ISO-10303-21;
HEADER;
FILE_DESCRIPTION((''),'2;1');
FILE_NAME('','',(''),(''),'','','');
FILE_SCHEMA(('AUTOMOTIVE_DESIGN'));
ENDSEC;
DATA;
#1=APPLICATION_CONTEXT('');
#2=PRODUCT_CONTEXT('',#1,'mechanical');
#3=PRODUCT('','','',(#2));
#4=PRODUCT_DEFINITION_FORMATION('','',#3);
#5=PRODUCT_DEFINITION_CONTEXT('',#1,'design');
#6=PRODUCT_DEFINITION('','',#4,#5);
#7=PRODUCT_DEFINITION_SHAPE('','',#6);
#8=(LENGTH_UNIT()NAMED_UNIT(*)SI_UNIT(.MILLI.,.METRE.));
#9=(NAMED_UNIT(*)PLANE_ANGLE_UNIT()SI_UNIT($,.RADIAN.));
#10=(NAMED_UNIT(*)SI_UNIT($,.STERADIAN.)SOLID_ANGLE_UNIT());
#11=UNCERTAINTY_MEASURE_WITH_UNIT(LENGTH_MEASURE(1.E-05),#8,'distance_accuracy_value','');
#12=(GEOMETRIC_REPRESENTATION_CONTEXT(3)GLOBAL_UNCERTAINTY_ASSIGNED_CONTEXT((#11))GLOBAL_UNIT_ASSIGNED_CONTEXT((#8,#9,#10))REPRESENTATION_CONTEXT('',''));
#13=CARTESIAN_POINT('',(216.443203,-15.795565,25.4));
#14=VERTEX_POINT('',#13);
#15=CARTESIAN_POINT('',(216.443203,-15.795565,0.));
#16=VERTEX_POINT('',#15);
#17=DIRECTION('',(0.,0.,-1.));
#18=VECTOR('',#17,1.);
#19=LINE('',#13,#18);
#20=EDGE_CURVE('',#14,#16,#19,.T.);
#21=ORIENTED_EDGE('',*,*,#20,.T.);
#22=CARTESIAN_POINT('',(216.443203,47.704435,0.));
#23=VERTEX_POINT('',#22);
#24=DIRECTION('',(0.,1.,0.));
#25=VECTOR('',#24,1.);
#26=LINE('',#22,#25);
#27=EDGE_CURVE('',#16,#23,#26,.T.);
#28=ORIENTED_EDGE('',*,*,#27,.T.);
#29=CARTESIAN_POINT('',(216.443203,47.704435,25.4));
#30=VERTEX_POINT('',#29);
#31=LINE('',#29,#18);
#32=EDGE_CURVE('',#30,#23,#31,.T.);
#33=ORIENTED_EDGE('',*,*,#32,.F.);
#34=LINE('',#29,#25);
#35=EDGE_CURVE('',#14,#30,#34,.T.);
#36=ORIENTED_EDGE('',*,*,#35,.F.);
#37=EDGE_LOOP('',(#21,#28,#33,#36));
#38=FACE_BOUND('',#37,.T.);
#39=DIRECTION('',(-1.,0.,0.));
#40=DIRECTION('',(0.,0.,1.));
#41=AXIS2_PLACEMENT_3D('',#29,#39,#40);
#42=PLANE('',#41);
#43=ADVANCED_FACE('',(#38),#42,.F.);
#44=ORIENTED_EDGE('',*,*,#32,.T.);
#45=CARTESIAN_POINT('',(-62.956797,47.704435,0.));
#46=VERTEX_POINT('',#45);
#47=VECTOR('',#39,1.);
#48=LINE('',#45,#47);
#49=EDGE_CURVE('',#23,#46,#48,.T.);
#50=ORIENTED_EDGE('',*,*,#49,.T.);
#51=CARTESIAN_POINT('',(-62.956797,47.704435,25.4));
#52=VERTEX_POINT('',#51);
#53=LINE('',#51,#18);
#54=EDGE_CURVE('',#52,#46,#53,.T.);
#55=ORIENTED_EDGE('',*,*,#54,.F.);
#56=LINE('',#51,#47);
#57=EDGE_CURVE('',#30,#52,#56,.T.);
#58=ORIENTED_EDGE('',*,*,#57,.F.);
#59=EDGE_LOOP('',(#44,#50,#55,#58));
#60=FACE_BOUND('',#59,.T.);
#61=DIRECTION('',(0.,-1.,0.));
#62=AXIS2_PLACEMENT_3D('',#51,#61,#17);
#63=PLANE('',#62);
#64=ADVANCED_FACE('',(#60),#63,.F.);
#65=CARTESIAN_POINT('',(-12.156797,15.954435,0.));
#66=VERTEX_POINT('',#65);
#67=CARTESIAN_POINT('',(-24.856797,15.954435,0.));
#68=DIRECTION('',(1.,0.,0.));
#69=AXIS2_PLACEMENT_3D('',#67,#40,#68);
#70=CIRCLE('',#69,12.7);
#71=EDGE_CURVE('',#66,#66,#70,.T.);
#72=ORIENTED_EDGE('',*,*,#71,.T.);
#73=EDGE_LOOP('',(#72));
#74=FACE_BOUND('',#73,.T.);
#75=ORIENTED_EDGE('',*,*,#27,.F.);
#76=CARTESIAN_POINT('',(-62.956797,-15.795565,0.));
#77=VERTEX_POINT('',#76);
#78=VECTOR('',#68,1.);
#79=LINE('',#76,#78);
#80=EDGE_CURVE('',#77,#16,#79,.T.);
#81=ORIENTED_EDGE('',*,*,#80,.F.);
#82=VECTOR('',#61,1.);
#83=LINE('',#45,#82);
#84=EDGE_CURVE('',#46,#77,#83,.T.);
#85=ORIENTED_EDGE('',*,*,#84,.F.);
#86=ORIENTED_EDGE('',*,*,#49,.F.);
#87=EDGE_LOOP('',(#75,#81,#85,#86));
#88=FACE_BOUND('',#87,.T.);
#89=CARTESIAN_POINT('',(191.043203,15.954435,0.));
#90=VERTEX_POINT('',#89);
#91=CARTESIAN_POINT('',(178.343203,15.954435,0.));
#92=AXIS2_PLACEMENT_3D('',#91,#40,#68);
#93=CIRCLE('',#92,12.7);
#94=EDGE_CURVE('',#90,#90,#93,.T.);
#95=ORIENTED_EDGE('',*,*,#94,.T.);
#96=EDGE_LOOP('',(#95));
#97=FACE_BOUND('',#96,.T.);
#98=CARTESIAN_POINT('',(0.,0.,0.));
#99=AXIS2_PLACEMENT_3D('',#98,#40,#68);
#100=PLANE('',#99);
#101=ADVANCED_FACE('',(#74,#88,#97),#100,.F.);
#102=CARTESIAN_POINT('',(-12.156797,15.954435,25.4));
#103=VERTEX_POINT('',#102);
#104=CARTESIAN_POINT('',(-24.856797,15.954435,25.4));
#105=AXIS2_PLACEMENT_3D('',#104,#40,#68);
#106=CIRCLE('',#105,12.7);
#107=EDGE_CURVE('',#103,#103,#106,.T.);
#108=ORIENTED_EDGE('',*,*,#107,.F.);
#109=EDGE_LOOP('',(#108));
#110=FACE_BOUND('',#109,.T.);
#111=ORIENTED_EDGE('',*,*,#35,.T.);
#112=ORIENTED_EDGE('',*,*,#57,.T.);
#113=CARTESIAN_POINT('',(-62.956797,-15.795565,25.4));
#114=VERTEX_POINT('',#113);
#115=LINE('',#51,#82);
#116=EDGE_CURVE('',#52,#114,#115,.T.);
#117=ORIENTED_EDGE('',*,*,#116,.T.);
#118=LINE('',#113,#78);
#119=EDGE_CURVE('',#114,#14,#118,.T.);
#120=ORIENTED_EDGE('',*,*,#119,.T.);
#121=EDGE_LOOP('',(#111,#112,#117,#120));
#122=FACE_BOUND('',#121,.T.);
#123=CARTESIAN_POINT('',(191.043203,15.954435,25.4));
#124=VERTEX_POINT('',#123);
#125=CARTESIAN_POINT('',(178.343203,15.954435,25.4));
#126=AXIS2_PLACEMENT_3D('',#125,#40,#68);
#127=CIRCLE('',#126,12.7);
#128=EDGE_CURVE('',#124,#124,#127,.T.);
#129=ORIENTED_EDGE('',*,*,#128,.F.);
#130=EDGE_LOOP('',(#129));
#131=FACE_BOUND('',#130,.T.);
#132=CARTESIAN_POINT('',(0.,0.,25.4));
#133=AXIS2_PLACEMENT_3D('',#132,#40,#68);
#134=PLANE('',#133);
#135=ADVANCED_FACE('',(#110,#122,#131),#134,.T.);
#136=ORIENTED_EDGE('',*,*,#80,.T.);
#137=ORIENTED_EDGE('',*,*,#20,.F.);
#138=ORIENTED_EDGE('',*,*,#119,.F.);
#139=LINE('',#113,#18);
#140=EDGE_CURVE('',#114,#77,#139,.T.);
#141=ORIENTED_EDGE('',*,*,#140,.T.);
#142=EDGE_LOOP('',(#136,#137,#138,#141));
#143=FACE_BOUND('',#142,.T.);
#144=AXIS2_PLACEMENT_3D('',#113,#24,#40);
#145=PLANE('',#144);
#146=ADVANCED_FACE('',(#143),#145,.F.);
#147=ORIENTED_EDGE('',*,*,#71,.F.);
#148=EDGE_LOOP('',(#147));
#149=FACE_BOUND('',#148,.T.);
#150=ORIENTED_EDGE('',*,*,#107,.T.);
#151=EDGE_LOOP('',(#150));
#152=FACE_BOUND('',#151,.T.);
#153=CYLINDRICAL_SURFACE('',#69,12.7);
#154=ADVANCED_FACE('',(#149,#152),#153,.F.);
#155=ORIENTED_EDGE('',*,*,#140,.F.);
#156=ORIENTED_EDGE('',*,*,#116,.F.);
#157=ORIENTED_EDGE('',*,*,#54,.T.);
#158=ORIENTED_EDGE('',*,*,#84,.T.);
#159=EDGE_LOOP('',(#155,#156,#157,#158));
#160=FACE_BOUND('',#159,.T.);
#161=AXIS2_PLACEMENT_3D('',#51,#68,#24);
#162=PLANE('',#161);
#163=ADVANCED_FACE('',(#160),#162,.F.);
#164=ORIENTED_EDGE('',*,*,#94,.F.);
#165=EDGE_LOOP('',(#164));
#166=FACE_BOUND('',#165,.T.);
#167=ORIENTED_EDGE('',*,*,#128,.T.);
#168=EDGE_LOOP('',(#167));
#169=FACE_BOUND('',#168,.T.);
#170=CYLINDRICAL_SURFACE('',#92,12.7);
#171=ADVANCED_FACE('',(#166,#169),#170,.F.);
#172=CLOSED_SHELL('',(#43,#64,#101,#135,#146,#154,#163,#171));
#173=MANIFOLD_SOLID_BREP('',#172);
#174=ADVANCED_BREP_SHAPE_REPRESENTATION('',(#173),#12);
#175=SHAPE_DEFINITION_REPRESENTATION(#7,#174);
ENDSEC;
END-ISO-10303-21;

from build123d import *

# Parameters (mm, degrees)
SKETCH1_W           = 279.4
SKETCH1_H           = 63.5
BOSS_EXTRUDE1_DEPTH = 25.4
SKETCH5_R           = 12.7
CUT_EXTRUDE2_DEPTH  = 224.088622337
SKETCH4_R           = 12.7
CUT_EXTRUDE3_DEPTH  = 224.088622337


with BuildPart() as part:
    # Sketch1 → Boss-Extrude1 (new body)
    with BuildSketch(Plane.XY):
        with Locations((76.743203482, 15.954434625)):
            Rectangle(SKETCH1_W, SKETCH1_H)
    extrude(amount=BOSS_EXTRUDE1_DEPTH)

    # Sketch5 → Cut-Extrude2 (cut, through all)
    with BuildSketch(Plane.XY.offset(25.4)):
        with Locations((178.343203482, 15.954434625)):
            Circle(SKETCH5_R)
    extrude(amount=-CUT_EXTRUDE2_DEPTH, mode=Mode.SUBTRACT)

    # Sketch4 → Cut-Extrude3 (cut, through all)
    with BuildSketch(Plane.XY.offset(25.4)):
        with Locations((-24.856796518, 15.954434625)):
            Circle(SKETCH4_R)
    extrude(amount=-CUT_EXTRUDE3_DEPTH, mode=Mode.SUBTRACT)


solid = part.part
